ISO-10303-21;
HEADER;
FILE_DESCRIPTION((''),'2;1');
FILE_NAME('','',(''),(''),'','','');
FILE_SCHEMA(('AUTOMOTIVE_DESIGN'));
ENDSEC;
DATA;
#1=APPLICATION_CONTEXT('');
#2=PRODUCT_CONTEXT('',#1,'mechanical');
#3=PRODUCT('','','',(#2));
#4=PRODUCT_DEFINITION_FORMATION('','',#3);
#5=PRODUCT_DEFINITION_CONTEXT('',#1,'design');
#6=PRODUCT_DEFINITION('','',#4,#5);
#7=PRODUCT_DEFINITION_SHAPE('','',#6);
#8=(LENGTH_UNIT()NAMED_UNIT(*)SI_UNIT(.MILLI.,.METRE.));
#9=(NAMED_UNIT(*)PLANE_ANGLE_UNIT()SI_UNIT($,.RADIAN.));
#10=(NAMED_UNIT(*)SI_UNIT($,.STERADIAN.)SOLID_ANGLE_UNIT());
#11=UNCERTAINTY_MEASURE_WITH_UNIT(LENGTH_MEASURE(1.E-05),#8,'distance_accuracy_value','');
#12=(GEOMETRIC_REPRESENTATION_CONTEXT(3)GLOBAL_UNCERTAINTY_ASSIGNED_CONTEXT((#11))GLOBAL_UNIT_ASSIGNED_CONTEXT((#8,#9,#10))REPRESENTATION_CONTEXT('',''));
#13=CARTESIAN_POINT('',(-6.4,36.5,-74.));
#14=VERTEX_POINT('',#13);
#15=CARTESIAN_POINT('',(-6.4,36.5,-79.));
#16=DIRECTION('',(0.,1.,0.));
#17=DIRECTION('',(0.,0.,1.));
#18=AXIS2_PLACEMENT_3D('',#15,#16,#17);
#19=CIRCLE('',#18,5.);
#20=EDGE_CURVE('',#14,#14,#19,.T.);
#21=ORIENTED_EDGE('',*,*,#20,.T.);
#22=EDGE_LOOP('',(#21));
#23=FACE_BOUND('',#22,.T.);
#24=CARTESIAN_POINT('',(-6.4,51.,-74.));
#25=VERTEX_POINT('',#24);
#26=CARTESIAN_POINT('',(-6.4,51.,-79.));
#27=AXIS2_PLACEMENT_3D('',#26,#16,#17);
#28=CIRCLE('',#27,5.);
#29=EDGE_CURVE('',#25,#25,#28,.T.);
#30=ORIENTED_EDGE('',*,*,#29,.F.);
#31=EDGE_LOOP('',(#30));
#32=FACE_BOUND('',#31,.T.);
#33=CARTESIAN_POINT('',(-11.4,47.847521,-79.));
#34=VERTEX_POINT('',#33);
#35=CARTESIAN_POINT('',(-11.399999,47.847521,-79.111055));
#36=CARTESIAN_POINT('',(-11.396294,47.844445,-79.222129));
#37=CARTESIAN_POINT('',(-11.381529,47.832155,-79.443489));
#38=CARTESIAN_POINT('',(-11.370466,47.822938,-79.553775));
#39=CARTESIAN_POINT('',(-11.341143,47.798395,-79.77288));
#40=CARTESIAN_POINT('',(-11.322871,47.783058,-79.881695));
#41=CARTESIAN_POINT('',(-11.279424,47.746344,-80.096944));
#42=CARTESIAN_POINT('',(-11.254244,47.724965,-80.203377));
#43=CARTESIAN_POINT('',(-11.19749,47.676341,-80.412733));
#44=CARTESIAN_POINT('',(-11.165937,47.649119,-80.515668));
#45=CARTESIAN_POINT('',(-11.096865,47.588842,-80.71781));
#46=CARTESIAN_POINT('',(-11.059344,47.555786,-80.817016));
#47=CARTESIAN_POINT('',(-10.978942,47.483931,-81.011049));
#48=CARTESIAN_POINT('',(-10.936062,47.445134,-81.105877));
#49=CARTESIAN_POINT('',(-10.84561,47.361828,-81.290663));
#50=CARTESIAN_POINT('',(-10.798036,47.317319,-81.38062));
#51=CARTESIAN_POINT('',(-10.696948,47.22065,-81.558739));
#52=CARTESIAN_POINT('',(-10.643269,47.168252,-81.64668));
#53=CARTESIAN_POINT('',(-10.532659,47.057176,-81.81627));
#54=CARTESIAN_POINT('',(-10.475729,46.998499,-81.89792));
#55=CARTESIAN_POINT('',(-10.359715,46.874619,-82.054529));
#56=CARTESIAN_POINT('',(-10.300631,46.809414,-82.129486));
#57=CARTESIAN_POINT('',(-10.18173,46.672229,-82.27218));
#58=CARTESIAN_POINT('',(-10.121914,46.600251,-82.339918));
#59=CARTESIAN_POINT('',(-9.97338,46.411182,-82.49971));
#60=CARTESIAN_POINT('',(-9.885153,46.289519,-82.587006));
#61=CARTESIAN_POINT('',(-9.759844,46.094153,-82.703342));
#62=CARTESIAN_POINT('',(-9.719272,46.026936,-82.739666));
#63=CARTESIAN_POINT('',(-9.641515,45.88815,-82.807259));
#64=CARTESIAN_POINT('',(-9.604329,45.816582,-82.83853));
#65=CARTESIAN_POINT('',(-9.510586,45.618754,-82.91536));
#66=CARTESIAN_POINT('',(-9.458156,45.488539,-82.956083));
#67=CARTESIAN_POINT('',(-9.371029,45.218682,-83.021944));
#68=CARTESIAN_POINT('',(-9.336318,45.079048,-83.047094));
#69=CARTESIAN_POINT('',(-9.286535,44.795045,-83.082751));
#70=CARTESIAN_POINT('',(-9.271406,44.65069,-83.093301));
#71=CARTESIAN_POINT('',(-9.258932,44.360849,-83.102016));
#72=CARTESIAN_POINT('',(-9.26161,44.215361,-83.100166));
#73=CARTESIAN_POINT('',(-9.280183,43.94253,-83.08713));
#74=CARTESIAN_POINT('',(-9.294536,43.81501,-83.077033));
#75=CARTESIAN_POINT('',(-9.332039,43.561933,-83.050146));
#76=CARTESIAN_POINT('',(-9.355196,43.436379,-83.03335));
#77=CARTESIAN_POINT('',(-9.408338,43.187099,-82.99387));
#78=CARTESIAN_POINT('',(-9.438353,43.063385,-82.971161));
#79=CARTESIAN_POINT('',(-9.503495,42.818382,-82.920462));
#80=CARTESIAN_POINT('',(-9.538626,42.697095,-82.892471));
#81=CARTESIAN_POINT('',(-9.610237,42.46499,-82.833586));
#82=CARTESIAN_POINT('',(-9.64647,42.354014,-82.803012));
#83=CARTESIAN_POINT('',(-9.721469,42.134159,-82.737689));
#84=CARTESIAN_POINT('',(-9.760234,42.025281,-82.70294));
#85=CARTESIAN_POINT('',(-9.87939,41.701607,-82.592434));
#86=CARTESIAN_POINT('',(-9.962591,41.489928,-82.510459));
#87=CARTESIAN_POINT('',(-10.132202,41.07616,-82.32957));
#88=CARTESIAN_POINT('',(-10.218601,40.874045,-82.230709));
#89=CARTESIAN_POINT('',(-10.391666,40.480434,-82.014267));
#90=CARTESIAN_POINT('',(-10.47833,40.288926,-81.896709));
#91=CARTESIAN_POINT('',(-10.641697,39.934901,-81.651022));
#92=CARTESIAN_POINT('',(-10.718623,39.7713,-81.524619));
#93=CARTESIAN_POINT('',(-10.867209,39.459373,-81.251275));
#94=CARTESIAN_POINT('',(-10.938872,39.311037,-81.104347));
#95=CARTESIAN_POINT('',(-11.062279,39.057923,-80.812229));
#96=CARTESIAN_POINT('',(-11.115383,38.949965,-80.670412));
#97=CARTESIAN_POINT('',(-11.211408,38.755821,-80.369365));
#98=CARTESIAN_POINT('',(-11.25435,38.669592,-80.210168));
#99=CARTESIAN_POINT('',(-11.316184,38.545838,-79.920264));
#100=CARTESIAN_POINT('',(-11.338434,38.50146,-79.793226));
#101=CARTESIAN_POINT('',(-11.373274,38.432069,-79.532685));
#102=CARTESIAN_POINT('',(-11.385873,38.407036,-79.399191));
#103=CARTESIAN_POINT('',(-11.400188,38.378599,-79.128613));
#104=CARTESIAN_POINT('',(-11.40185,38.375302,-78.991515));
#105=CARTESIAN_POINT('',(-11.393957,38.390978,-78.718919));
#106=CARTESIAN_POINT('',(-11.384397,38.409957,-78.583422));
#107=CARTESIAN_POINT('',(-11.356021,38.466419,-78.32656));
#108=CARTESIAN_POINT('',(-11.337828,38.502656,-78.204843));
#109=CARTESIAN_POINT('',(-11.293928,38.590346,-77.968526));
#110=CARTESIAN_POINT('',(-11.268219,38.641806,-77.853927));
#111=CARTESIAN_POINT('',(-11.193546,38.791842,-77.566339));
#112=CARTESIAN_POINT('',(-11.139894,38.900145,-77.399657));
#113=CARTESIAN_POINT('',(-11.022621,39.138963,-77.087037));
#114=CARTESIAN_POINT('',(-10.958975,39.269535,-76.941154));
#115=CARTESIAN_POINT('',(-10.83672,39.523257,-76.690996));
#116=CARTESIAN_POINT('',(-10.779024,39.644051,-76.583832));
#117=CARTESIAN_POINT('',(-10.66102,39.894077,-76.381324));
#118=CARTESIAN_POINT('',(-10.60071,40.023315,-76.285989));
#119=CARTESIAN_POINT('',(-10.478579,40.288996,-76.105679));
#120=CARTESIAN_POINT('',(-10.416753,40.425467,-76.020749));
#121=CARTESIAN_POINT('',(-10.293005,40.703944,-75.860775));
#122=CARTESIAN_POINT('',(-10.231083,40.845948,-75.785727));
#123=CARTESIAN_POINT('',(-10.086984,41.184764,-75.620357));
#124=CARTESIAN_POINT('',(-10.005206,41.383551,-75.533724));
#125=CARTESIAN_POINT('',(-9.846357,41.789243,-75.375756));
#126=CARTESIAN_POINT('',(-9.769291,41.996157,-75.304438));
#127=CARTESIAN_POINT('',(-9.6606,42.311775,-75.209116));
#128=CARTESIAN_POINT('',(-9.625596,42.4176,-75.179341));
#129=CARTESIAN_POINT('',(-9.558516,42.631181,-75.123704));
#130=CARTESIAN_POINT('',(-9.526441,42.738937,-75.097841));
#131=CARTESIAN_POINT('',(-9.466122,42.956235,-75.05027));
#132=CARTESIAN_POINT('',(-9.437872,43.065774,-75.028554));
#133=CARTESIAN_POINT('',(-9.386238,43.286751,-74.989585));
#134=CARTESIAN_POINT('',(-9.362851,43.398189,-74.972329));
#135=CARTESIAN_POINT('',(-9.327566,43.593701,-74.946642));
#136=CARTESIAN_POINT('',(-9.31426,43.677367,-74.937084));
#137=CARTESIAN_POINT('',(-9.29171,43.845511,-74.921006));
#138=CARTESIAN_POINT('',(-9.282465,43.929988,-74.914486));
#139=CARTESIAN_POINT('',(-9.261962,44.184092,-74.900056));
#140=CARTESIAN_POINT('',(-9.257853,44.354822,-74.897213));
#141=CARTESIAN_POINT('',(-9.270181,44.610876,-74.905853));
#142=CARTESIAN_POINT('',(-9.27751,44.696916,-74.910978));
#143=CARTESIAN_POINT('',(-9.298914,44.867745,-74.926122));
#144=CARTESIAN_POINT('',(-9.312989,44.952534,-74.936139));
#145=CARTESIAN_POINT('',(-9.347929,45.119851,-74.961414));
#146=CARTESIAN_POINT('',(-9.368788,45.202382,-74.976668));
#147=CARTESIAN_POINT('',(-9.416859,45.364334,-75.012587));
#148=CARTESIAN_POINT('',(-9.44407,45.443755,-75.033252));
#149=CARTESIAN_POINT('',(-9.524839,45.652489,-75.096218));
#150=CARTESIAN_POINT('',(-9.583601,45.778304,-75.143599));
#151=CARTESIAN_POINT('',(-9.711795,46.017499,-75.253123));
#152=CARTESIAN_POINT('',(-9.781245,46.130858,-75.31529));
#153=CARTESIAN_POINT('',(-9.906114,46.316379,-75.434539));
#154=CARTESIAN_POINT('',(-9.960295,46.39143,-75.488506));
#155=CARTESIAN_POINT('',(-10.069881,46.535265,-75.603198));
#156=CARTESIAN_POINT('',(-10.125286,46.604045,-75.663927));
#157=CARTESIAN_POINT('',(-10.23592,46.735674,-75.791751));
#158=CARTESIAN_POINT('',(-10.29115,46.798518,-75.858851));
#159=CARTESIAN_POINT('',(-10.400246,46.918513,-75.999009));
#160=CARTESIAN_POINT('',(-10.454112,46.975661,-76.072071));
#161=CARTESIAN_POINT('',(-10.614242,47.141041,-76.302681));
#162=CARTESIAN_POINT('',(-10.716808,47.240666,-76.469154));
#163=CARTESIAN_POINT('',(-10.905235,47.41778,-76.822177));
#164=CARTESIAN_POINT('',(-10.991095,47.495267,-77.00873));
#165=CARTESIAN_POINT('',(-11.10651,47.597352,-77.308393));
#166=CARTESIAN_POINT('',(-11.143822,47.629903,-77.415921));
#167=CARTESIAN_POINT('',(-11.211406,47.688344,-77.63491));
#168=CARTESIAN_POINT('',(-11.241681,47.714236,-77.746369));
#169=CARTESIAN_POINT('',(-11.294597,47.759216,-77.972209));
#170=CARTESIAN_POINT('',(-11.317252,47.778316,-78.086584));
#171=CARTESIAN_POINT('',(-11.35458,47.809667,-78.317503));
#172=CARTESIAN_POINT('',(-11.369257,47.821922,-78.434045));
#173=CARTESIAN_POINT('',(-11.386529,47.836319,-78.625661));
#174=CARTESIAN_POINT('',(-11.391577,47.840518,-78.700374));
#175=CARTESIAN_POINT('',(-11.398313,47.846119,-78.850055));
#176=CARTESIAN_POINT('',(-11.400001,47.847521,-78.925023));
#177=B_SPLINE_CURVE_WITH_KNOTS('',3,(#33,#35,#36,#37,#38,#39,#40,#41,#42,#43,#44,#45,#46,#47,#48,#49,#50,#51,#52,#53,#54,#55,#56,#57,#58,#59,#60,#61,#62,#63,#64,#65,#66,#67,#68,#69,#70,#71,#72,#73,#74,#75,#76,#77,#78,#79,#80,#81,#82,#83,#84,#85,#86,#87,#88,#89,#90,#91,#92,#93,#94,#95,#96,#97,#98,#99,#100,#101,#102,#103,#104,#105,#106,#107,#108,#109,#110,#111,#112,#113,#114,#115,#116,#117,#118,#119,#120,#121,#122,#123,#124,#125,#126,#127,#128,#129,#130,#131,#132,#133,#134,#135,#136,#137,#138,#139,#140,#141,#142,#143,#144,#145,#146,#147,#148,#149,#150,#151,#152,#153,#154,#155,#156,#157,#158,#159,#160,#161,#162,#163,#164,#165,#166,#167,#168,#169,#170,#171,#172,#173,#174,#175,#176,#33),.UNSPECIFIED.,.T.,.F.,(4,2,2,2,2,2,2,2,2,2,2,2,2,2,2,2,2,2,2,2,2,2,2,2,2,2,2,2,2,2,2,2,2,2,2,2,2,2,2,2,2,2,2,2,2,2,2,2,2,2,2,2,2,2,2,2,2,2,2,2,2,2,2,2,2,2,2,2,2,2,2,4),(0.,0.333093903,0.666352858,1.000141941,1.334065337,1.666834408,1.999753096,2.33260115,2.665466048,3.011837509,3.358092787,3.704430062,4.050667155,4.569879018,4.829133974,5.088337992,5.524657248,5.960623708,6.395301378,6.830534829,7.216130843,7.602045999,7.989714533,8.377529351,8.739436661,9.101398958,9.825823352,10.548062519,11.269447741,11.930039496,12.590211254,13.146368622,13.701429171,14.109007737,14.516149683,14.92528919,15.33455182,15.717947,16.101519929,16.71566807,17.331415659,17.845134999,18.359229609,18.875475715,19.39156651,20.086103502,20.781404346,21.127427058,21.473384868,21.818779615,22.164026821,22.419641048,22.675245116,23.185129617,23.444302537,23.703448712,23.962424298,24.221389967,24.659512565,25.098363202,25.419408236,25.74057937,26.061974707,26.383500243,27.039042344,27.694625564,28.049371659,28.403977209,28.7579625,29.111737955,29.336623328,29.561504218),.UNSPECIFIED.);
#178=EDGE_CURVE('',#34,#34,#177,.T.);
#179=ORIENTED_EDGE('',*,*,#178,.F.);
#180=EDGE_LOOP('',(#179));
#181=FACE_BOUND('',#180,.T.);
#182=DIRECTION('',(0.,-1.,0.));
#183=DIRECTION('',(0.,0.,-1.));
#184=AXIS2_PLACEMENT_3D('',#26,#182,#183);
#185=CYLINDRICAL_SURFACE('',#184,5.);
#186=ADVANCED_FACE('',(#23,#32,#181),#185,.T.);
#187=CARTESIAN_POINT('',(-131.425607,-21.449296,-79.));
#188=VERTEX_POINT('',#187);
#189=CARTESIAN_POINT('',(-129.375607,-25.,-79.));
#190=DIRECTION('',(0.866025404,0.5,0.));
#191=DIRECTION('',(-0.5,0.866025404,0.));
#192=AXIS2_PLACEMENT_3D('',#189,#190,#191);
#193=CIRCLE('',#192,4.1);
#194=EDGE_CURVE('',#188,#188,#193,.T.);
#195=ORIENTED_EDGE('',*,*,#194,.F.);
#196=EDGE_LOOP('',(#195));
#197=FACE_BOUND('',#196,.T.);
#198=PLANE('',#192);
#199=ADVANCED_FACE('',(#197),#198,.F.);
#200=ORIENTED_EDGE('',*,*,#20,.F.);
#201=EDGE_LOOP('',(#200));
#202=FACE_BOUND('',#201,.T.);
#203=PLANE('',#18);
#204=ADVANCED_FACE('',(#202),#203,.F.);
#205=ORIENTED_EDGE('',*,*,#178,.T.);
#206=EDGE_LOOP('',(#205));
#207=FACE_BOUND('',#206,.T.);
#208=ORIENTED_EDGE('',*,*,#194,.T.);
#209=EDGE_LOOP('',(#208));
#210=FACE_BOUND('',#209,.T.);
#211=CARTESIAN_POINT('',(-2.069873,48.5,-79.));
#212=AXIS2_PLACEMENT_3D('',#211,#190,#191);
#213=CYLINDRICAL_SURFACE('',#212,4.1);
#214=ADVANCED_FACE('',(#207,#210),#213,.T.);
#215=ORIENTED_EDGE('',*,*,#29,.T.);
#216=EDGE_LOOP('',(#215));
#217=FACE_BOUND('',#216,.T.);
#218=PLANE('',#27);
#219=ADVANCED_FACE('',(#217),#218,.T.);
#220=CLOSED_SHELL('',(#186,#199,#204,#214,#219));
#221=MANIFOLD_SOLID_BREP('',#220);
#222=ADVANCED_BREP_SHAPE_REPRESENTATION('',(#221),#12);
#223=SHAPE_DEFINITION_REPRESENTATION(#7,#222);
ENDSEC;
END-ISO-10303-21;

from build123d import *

# Parameters (mm, degrees)
BASE_START    = 36.5
BASE_SKETCH_R = 5
BASE_DEPTH    = 14.5


with BuildPart() as part:
    # Base Sketch → Base (new body)
    with BuildSketch(Plane(origin=(0, 0, 0), x_dir=(1, 0, 0), z_dir=(0, 1, 0)).offset(BASE_START)):
        with Locations((-6.4, 79)):
            Circle(BASE_SKETCH_R)
    extrude(amount=BASE_DEPTH)

    # Whip Sketch → Whip (revolve)
    with BuildSketch(Plane.XY.offset(-79)):
        Polygon((-6.4, 46), (-129.375607337, -25), (-127.325607337, -28.550704156), (-4.35, 42.449295844), align=None)
    revolve(axis=Axis((-2.069872981, 48.5, -79), (-0.8660254037844387, -0.49999999999999994, 0)))


solid = part.part
